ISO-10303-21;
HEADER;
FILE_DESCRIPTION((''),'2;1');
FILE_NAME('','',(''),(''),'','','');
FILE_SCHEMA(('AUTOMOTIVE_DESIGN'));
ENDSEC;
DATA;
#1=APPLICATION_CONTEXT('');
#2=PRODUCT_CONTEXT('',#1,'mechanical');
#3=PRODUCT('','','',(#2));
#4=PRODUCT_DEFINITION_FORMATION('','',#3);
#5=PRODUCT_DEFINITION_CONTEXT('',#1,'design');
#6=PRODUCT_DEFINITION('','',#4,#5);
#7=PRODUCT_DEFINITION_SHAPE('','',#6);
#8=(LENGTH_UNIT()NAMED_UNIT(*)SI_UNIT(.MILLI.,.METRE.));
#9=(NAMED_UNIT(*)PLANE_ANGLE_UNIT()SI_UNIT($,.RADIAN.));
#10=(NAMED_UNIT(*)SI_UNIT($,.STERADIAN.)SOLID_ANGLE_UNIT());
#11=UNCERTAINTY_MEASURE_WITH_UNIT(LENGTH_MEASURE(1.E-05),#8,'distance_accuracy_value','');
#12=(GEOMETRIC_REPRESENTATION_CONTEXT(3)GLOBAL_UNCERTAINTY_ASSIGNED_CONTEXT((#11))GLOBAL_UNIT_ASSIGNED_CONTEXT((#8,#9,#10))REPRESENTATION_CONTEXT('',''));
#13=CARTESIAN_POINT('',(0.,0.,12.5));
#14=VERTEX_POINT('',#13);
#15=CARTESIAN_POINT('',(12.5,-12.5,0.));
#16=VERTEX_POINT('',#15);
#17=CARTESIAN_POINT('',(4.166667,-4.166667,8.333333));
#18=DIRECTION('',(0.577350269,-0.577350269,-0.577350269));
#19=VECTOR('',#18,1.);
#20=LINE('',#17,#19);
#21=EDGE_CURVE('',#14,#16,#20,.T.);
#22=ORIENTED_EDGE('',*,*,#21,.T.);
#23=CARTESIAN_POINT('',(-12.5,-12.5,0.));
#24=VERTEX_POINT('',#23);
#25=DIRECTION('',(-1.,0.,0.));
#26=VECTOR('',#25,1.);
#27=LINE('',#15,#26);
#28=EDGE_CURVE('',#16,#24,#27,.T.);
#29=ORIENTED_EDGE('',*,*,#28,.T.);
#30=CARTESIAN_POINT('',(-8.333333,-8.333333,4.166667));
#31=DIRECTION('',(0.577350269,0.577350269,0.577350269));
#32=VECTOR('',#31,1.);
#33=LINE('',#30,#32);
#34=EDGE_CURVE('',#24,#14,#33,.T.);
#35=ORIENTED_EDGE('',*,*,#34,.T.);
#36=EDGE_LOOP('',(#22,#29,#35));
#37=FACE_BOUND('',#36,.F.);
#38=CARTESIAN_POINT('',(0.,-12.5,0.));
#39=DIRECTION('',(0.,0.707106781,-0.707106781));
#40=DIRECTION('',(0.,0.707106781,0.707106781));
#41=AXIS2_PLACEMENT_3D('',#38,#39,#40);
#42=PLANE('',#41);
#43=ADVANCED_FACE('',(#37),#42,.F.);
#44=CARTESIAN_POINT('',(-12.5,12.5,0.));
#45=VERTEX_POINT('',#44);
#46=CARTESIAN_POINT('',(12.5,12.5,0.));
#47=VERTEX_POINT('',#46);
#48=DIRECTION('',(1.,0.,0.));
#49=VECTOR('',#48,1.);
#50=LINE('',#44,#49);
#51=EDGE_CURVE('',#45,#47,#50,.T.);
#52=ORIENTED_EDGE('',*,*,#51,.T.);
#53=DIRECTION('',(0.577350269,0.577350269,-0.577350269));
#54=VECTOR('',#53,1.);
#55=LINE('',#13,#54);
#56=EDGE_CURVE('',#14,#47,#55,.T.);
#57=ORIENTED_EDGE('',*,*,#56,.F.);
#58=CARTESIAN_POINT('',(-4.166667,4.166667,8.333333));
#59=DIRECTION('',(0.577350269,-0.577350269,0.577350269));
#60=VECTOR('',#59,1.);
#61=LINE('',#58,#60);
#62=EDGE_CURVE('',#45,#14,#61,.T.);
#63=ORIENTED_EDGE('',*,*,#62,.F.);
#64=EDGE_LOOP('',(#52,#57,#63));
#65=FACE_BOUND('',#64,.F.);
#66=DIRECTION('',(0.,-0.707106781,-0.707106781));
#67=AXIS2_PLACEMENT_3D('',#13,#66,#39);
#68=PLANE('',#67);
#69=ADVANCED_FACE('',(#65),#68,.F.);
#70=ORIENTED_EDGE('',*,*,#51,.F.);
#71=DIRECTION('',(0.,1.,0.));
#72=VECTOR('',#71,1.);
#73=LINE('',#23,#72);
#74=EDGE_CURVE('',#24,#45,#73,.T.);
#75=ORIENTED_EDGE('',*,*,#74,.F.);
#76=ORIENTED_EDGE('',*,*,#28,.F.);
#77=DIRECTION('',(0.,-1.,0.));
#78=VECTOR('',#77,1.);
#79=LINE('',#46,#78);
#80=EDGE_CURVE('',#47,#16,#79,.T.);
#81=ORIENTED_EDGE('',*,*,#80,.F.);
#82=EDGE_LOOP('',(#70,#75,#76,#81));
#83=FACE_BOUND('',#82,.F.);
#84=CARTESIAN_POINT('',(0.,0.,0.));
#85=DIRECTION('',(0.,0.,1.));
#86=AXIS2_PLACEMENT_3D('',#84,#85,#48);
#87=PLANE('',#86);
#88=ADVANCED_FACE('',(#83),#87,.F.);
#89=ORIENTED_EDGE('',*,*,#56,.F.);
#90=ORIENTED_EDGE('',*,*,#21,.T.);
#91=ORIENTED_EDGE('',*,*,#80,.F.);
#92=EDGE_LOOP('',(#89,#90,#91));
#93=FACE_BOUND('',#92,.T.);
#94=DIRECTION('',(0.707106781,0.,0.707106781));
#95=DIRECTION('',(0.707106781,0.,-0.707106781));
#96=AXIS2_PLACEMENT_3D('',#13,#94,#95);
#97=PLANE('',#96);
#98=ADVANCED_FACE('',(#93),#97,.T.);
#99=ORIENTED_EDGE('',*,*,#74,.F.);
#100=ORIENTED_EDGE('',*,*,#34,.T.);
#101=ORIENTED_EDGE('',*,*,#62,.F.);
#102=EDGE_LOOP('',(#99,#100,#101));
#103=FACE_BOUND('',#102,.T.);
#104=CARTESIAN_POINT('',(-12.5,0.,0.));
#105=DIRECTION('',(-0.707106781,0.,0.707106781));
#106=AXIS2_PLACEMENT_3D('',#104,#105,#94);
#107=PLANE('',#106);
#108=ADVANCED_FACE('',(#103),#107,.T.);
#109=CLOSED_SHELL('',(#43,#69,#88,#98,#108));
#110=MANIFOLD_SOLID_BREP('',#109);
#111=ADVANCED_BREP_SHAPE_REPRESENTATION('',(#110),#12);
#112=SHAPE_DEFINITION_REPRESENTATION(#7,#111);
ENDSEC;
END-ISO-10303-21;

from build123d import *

# Parameters (mm, degrees)
F0_W          = 25
F0_H          = 25
F1_DEPTH      = 25
F3_DEPTH      = 12.501
F3_DEPTH_BACK = 12.501
F5_DEPTH      = 12.501
F5_DEPTH_BACK = 12.501


with BuildPart() as f1:
    # F0 (on Top) → F1 (new body)
    with BuildSketch(Plane.XY):
        Rectangle(F0_W, F0_H)
    extrude(amount=F1_DEPTH)

    # F2 (on Right) → F3 (cut, two sides)
    with BuildSketch(Plane.YZ) as f3_sk:
        Polygon((0, 12.5), (12.5, 0), (12.5, 25), (-12.5, 25), (-12.5, 0), align=None)
    extrude(amount=-F3_DEPTH, mode=Mode.SUBTRACT)
    extrude(f3_sk.sketch, amount=F3_DEPTH_BACK, mode=Mode.SUBTRACT)

    # F4 (on Front) → F5 (cut, two sides)
    with BuildSketch(Plane.XZ) as f5_sk:
        Polygon((0, 12.5), (12.5, 0), (12.5, 25), (-12.5, 25), (-12.5, 0), align=None)
    extrude(amount=-F5_DEPTH, mode=Mode.SUBTRACT)
    extrude(f5_sk.sketch, amount=F5_DEPTH_BACK, mode=Mode.SUBTRACT)


solid = f1.part
